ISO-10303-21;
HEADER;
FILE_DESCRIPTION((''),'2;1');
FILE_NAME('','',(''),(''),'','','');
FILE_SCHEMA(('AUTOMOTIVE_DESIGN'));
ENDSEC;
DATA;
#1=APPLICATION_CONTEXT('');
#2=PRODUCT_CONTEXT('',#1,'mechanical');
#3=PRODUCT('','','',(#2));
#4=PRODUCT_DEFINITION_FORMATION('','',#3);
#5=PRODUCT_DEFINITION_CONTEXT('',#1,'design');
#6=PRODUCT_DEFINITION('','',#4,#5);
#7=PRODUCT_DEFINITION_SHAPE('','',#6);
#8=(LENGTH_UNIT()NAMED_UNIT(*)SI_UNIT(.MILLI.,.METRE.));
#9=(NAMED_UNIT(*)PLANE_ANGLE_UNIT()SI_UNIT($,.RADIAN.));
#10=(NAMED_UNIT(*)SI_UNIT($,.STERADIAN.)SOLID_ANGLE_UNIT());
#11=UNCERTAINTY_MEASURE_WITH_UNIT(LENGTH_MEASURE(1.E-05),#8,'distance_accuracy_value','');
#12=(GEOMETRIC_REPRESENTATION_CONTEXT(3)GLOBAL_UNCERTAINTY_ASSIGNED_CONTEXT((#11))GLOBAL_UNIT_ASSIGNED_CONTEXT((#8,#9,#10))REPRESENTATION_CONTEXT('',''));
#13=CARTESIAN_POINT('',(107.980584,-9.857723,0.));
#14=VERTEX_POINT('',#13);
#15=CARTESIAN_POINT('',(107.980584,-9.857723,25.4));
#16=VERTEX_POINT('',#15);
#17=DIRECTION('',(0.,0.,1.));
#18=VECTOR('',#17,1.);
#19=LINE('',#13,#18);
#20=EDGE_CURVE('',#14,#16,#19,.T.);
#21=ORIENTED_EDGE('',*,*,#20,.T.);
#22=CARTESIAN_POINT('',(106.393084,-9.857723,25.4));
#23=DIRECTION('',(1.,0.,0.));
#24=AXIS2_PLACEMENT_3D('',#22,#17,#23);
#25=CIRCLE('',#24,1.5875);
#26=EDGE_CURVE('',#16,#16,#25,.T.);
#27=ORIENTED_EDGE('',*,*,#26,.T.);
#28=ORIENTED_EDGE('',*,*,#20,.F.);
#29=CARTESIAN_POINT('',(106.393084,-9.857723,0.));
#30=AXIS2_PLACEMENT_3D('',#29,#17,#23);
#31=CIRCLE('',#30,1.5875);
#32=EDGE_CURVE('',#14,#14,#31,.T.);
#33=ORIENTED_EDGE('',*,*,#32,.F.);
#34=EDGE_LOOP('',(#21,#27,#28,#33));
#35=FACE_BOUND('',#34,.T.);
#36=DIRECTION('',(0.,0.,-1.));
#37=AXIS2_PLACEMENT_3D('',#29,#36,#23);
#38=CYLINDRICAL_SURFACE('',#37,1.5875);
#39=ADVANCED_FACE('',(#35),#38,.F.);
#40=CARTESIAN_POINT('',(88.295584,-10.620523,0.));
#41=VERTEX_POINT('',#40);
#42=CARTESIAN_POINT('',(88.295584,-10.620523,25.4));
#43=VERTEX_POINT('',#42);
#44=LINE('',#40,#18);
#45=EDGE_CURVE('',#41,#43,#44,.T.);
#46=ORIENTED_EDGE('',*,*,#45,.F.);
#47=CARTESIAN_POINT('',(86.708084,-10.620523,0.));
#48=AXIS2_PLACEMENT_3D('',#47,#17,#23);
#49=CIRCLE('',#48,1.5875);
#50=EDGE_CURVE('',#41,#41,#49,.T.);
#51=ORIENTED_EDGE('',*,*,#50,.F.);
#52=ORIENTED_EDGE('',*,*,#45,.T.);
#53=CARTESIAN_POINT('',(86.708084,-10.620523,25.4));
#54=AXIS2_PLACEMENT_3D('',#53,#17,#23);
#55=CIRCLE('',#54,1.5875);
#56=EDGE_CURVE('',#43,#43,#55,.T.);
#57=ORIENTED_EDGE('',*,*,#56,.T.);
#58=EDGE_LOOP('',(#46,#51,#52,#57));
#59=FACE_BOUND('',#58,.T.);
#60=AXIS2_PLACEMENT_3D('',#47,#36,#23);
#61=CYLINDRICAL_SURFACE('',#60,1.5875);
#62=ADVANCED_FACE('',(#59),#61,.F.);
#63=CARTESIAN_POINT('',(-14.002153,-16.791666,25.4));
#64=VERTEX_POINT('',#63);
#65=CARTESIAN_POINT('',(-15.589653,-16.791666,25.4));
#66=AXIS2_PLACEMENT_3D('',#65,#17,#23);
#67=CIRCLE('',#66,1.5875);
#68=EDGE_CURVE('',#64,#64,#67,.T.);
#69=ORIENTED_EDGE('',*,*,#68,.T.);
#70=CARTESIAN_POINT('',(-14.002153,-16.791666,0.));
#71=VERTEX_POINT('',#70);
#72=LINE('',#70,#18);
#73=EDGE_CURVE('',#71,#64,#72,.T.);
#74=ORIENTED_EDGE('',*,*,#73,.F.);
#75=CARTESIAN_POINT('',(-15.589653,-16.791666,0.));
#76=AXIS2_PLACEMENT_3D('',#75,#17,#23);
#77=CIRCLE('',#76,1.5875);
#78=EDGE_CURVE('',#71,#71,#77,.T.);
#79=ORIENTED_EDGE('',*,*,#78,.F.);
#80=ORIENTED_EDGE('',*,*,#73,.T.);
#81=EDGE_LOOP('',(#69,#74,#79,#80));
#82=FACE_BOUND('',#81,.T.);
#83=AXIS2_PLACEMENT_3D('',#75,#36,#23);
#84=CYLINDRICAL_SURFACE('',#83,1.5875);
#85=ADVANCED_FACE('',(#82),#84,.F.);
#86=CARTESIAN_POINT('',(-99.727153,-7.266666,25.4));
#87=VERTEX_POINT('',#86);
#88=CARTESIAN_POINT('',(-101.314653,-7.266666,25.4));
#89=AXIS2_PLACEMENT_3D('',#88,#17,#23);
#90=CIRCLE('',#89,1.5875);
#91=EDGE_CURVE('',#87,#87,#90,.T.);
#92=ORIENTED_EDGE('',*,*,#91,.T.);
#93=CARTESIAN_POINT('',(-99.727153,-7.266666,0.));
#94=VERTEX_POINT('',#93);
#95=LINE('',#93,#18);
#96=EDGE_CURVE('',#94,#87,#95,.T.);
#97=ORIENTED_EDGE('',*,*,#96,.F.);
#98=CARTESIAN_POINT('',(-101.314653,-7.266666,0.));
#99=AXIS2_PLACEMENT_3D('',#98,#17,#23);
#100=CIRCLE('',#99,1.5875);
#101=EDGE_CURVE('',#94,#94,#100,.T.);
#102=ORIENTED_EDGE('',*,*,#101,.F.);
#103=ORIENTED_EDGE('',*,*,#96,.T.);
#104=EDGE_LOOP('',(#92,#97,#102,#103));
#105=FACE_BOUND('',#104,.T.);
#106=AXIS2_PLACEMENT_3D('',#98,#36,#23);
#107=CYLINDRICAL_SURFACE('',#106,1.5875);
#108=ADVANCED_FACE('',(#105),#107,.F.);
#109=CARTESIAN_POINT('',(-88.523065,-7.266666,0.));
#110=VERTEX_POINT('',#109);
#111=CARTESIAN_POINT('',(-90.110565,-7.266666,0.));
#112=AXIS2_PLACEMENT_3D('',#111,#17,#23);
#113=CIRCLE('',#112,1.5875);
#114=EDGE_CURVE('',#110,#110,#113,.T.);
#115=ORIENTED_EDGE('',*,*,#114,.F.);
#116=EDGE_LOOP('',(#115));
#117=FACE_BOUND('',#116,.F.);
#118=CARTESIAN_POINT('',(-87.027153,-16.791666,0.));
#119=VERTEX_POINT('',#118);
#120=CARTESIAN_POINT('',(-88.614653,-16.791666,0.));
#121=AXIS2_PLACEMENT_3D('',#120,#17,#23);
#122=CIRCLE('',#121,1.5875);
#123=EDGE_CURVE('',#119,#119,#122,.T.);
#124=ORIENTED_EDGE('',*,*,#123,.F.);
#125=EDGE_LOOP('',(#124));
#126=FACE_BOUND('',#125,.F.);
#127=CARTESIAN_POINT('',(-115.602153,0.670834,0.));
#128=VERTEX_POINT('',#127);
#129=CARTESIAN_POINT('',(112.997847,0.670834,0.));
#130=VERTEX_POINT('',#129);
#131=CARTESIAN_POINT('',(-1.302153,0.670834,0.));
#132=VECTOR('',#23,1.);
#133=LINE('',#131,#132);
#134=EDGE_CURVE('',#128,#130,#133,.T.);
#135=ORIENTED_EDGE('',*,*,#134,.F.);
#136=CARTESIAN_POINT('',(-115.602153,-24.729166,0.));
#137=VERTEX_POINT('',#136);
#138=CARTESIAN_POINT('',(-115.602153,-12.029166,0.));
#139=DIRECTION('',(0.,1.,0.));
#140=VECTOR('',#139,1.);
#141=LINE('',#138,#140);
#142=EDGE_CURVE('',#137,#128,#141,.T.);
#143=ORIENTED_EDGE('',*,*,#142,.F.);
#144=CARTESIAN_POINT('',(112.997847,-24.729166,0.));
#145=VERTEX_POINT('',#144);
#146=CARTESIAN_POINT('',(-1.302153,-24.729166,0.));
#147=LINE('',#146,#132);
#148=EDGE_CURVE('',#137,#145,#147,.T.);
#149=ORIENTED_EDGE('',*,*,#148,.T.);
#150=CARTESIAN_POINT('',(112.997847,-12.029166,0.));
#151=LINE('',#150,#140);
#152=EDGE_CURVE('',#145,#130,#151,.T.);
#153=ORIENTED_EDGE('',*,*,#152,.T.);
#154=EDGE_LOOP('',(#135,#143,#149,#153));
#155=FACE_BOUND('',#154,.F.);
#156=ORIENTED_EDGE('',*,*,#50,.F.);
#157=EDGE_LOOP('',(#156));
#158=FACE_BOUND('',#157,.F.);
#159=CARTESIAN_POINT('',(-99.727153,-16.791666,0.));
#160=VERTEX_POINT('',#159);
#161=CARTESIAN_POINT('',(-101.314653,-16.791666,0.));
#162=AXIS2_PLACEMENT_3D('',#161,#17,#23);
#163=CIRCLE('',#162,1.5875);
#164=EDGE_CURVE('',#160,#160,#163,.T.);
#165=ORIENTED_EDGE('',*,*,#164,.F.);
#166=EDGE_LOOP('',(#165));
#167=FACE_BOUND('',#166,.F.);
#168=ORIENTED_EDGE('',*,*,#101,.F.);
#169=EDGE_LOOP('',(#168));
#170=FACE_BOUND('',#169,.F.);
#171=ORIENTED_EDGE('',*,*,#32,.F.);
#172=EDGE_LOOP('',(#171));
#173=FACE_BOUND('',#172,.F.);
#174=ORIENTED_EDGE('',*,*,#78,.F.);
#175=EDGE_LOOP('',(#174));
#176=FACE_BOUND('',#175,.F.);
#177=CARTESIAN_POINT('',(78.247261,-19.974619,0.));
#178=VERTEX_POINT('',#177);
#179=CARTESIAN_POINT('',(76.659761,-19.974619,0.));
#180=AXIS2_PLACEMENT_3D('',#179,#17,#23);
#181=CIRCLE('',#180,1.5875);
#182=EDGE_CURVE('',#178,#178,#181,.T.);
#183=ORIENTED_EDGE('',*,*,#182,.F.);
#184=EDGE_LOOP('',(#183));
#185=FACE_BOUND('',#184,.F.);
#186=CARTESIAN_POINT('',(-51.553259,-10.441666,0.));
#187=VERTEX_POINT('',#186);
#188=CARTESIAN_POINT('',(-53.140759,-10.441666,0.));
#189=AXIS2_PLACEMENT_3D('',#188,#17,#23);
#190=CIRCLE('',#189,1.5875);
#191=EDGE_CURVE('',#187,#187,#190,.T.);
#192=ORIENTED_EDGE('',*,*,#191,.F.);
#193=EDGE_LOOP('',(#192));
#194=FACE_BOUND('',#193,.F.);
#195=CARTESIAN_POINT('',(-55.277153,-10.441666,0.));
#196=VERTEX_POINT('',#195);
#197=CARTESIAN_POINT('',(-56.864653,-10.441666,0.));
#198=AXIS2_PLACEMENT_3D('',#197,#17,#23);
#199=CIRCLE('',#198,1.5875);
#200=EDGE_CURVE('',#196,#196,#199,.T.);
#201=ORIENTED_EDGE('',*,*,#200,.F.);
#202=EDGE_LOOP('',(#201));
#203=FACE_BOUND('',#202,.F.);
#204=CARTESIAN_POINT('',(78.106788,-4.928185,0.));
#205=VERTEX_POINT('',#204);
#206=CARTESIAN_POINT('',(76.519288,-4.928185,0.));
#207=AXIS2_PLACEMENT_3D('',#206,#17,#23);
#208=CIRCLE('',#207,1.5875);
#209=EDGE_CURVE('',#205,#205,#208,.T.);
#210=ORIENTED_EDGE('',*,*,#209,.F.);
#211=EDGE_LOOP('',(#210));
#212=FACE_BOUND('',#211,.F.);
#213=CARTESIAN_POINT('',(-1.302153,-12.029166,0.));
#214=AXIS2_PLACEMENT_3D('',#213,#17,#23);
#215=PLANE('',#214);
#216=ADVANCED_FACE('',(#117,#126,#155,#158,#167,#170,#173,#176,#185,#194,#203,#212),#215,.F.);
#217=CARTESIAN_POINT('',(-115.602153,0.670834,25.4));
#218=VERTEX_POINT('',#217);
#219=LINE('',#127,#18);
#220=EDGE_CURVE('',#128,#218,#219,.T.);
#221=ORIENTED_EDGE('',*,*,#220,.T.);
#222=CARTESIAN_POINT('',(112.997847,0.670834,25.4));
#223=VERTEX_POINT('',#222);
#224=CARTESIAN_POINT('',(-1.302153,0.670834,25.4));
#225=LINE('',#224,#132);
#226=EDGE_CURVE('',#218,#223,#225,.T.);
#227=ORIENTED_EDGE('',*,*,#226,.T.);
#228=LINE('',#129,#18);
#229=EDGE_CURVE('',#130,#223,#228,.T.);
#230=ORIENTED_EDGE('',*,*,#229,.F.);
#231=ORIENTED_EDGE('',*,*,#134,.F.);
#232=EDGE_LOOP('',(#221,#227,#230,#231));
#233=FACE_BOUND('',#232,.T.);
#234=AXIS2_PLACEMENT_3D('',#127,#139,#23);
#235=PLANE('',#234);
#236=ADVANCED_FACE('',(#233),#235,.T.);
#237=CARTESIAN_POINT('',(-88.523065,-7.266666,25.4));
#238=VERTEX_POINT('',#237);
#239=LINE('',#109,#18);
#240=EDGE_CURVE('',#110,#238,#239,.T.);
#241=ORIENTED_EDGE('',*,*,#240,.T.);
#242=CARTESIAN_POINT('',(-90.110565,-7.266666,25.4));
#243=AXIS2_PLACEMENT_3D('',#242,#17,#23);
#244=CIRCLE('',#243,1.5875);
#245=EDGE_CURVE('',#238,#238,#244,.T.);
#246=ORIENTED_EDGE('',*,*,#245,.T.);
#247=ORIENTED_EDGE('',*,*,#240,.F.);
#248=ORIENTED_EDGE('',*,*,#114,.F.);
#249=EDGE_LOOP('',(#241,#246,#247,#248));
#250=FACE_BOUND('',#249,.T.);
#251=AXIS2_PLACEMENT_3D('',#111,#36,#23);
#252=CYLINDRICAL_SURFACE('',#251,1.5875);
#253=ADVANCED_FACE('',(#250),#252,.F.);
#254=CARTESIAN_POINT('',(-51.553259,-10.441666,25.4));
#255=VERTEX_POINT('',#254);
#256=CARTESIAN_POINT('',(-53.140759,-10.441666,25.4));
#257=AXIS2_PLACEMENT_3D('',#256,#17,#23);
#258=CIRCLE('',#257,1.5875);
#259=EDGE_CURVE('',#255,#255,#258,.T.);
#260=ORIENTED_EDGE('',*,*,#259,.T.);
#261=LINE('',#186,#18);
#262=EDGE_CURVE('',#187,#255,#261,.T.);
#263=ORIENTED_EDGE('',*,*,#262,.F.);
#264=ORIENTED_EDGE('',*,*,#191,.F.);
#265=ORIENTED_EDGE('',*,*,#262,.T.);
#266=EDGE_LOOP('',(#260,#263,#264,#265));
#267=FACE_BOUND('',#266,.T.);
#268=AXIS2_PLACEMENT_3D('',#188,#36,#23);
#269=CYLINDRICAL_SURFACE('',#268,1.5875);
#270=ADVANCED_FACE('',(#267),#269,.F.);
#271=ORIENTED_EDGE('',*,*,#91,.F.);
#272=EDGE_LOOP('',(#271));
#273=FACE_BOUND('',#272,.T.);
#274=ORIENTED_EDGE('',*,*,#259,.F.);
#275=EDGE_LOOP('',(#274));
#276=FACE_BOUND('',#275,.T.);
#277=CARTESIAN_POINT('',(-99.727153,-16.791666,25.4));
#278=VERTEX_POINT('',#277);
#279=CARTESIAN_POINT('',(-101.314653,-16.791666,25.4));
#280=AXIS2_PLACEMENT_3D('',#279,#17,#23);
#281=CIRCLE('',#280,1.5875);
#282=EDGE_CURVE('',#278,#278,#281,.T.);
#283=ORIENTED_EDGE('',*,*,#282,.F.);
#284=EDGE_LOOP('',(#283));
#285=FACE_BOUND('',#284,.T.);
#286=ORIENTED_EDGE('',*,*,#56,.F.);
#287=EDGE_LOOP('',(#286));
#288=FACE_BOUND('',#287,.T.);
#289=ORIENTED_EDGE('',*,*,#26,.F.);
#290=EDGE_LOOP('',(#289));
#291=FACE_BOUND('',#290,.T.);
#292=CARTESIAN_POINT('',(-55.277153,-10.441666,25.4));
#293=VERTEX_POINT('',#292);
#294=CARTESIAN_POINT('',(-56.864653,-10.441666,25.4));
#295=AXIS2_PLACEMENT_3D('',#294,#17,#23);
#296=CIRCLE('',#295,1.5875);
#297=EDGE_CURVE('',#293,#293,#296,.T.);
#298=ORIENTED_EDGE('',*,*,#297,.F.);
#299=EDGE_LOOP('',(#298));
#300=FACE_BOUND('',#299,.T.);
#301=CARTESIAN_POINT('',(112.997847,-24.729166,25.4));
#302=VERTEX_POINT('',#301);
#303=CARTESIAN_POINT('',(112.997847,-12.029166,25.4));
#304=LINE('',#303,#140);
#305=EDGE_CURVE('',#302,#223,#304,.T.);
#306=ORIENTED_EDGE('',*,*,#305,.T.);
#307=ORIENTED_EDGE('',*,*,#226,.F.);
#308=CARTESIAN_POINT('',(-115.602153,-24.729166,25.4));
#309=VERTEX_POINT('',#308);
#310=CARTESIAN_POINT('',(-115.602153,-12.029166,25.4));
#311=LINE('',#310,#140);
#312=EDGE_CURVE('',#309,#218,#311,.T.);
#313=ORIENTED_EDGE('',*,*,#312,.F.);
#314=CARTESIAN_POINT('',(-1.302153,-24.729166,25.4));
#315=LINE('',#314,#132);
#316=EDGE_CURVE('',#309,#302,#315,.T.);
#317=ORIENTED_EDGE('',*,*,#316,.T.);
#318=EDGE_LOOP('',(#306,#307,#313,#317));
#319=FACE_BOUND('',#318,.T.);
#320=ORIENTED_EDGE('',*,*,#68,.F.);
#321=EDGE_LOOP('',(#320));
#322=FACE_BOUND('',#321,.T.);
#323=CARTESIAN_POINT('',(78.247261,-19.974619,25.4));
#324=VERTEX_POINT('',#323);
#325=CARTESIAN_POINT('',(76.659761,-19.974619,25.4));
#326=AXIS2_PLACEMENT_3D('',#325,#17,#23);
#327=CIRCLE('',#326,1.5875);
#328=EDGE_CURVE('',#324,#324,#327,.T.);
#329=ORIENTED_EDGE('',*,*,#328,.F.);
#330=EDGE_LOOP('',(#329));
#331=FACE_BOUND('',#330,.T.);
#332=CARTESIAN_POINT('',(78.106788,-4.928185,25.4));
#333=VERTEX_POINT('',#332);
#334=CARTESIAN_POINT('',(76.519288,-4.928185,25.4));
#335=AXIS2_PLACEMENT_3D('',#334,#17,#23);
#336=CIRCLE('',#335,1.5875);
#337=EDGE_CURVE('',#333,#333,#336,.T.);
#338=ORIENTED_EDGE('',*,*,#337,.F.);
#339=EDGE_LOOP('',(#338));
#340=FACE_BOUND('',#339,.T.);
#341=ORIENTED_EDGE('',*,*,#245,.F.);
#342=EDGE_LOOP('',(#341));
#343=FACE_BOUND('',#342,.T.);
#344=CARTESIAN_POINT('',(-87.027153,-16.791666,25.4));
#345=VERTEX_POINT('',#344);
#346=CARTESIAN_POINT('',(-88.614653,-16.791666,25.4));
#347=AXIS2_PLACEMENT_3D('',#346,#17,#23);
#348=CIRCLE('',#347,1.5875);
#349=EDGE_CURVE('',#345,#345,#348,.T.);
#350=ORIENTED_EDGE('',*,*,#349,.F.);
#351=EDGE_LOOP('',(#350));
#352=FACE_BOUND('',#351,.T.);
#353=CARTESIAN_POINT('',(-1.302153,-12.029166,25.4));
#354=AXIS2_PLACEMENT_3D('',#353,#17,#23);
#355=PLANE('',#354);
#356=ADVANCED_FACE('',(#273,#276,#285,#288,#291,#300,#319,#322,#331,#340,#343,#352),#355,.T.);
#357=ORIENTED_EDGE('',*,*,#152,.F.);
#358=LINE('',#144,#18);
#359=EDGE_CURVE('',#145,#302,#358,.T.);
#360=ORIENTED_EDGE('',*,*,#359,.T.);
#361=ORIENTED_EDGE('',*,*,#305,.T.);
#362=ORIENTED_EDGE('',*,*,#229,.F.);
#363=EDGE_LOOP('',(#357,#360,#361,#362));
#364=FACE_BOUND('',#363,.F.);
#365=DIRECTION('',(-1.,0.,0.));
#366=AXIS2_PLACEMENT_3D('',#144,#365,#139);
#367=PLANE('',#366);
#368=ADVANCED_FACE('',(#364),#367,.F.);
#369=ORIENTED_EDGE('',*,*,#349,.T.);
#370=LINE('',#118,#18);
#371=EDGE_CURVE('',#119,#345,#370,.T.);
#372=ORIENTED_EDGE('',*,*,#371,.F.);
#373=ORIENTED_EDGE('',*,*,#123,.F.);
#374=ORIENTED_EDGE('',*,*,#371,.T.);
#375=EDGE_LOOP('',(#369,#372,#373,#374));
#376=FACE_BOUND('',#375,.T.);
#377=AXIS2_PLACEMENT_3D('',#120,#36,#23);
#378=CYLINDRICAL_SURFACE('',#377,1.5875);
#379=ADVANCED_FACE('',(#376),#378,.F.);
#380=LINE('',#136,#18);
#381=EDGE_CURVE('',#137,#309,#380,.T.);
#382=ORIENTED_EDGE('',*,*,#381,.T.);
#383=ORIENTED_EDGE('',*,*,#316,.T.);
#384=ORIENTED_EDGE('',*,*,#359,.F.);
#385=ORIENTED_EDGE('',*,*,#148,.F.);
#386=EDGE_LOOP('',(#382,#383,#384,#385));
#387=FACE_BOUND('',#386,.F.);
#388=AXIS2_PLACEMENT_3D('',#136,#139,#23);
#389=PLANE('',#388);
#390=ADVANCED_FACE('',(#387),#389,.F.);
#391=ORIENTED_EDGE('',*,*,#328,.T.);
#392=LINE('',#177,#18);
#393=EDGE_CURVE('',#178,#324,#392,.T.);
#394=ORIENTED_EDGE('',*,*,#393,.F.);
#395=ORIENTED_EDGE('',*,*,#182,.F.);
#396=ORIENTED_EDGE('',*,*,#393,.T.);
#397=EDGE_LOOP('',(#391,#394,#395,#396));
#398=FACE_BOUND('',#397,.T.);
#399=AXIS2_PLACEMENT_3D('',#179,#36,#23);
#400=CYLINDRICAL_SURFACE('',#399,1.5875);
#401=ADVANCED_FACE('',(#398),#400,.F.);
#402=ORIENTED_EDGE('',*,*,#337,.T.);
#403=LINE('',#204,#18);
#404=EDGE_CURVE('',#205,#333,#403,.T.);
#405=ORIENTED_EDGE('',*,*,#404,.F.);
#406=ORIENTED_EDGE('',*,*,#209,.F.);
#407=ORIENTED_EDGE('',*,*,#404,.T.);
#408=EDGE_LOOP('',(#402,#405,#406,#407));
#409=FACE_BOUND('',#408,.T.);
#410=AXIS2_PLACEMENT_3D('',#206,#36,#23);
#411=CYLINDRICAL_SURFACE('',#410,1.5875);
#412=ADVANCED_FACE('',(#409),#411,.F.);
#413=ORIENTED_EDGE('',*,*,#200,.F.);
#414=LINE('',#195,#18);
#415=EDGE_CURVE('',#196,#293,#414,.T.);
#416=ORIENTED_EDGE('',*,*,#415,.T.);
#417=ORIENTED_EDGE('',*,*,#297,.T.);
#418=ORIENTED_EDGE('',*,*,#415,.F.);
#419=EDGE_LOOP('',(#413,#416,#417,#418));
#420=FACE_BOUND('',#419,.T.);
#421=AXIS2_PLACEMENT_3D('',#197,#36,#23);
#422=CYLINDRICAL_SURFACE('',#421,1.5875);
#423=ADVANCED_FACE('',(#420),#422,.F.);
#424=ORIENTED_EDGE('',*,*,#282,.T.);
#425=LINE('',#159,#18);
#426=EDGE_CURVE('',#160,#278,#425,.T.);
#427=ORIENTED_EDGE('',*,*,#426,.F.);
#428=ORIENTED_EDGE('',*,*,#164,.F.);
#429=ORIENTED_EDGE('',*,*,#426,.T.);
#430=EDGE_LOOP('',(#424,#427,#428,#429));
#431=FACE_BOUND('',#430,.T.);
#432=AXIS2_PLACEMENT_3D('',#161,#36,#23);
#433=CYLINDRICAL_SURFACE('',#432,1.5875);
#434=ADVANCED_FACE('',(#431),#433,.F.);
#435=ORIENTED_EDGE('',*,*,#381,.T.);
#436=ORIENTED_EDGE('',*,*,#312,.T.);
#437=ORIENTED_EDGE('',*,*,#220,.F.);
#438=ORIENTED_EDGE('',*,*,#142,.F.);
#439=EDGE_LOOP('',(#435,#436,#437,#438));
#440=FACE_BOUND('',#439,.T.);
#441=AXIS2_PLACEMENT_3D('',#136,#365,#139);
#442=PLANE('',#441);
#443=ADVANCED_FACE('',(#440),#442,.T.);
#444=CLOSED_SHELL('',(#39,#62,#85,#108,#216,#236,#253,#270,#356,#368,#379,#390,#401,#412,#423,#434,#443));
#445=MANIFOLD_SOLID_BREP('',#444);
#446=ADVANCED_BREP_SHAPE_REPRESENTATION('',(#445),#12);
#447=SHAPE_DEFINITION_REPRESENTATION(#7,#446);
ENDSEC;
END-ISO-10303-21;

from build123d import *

# Parameters (mm, degrees)
F0_W     = 228.6
F0_H     = 25.4
F0_R     = 1.5875
F1_DEPTH = 25.4


with BuildPart() as f1:
    # F0 (on Top) → F1 (new body)
    with BuildSketch(Plane.XY):
        with Locations((-1.302153, -12.029166)):
            Rectangle(F0_W, F0_H)
        with Locations((-101.314653, -16.791666)):
            Circle(F0_R, mode=Mode.SUBTRACT)
        with Locations((-88.614653, -16.791666)):
            Circle(F0_R, mode=Mode.SUBTRACT)
        with Locations((-15.589653, -16.791666)):
            Circle(F0_R, mode=Mode.SUBTRACT)
        with Locations((76.659761, -19.974619)):
            Circle(F0_R, mode=Mode.SUBTRACT)
        with Locations((-101.314653, -7.266666)):
            Circle(F0_R, mode=Mode.SUBTRACT)
        with Locations((-90.110565, -7.266666)):
            Circle(F0_R, mode=Mode.SUBTRACT)
        with Locations((-56.864653, -10.441666)):
            Circle(F0_R, mode=Mode.SUBTRACT)
        with Locations((-53.140759, -10.441666)):
            Circle(F0_R, mode=Mode.SUBTRACT)
        with Locations((86.708084, -10.620523)):
            Circle(F0_R, mode=Mode.SUBTRACT)
        with Locations((106.393084, -9.857723)):
            Circle(F0_R, mode=Mode.SUBTRACT)
        with Locations((76.519288, -4.928185)):
            Circle(F0_R, mode=Mode.SUBTRACT)
    extrude(amount=F1_DEPTH)


solid = f1.part
